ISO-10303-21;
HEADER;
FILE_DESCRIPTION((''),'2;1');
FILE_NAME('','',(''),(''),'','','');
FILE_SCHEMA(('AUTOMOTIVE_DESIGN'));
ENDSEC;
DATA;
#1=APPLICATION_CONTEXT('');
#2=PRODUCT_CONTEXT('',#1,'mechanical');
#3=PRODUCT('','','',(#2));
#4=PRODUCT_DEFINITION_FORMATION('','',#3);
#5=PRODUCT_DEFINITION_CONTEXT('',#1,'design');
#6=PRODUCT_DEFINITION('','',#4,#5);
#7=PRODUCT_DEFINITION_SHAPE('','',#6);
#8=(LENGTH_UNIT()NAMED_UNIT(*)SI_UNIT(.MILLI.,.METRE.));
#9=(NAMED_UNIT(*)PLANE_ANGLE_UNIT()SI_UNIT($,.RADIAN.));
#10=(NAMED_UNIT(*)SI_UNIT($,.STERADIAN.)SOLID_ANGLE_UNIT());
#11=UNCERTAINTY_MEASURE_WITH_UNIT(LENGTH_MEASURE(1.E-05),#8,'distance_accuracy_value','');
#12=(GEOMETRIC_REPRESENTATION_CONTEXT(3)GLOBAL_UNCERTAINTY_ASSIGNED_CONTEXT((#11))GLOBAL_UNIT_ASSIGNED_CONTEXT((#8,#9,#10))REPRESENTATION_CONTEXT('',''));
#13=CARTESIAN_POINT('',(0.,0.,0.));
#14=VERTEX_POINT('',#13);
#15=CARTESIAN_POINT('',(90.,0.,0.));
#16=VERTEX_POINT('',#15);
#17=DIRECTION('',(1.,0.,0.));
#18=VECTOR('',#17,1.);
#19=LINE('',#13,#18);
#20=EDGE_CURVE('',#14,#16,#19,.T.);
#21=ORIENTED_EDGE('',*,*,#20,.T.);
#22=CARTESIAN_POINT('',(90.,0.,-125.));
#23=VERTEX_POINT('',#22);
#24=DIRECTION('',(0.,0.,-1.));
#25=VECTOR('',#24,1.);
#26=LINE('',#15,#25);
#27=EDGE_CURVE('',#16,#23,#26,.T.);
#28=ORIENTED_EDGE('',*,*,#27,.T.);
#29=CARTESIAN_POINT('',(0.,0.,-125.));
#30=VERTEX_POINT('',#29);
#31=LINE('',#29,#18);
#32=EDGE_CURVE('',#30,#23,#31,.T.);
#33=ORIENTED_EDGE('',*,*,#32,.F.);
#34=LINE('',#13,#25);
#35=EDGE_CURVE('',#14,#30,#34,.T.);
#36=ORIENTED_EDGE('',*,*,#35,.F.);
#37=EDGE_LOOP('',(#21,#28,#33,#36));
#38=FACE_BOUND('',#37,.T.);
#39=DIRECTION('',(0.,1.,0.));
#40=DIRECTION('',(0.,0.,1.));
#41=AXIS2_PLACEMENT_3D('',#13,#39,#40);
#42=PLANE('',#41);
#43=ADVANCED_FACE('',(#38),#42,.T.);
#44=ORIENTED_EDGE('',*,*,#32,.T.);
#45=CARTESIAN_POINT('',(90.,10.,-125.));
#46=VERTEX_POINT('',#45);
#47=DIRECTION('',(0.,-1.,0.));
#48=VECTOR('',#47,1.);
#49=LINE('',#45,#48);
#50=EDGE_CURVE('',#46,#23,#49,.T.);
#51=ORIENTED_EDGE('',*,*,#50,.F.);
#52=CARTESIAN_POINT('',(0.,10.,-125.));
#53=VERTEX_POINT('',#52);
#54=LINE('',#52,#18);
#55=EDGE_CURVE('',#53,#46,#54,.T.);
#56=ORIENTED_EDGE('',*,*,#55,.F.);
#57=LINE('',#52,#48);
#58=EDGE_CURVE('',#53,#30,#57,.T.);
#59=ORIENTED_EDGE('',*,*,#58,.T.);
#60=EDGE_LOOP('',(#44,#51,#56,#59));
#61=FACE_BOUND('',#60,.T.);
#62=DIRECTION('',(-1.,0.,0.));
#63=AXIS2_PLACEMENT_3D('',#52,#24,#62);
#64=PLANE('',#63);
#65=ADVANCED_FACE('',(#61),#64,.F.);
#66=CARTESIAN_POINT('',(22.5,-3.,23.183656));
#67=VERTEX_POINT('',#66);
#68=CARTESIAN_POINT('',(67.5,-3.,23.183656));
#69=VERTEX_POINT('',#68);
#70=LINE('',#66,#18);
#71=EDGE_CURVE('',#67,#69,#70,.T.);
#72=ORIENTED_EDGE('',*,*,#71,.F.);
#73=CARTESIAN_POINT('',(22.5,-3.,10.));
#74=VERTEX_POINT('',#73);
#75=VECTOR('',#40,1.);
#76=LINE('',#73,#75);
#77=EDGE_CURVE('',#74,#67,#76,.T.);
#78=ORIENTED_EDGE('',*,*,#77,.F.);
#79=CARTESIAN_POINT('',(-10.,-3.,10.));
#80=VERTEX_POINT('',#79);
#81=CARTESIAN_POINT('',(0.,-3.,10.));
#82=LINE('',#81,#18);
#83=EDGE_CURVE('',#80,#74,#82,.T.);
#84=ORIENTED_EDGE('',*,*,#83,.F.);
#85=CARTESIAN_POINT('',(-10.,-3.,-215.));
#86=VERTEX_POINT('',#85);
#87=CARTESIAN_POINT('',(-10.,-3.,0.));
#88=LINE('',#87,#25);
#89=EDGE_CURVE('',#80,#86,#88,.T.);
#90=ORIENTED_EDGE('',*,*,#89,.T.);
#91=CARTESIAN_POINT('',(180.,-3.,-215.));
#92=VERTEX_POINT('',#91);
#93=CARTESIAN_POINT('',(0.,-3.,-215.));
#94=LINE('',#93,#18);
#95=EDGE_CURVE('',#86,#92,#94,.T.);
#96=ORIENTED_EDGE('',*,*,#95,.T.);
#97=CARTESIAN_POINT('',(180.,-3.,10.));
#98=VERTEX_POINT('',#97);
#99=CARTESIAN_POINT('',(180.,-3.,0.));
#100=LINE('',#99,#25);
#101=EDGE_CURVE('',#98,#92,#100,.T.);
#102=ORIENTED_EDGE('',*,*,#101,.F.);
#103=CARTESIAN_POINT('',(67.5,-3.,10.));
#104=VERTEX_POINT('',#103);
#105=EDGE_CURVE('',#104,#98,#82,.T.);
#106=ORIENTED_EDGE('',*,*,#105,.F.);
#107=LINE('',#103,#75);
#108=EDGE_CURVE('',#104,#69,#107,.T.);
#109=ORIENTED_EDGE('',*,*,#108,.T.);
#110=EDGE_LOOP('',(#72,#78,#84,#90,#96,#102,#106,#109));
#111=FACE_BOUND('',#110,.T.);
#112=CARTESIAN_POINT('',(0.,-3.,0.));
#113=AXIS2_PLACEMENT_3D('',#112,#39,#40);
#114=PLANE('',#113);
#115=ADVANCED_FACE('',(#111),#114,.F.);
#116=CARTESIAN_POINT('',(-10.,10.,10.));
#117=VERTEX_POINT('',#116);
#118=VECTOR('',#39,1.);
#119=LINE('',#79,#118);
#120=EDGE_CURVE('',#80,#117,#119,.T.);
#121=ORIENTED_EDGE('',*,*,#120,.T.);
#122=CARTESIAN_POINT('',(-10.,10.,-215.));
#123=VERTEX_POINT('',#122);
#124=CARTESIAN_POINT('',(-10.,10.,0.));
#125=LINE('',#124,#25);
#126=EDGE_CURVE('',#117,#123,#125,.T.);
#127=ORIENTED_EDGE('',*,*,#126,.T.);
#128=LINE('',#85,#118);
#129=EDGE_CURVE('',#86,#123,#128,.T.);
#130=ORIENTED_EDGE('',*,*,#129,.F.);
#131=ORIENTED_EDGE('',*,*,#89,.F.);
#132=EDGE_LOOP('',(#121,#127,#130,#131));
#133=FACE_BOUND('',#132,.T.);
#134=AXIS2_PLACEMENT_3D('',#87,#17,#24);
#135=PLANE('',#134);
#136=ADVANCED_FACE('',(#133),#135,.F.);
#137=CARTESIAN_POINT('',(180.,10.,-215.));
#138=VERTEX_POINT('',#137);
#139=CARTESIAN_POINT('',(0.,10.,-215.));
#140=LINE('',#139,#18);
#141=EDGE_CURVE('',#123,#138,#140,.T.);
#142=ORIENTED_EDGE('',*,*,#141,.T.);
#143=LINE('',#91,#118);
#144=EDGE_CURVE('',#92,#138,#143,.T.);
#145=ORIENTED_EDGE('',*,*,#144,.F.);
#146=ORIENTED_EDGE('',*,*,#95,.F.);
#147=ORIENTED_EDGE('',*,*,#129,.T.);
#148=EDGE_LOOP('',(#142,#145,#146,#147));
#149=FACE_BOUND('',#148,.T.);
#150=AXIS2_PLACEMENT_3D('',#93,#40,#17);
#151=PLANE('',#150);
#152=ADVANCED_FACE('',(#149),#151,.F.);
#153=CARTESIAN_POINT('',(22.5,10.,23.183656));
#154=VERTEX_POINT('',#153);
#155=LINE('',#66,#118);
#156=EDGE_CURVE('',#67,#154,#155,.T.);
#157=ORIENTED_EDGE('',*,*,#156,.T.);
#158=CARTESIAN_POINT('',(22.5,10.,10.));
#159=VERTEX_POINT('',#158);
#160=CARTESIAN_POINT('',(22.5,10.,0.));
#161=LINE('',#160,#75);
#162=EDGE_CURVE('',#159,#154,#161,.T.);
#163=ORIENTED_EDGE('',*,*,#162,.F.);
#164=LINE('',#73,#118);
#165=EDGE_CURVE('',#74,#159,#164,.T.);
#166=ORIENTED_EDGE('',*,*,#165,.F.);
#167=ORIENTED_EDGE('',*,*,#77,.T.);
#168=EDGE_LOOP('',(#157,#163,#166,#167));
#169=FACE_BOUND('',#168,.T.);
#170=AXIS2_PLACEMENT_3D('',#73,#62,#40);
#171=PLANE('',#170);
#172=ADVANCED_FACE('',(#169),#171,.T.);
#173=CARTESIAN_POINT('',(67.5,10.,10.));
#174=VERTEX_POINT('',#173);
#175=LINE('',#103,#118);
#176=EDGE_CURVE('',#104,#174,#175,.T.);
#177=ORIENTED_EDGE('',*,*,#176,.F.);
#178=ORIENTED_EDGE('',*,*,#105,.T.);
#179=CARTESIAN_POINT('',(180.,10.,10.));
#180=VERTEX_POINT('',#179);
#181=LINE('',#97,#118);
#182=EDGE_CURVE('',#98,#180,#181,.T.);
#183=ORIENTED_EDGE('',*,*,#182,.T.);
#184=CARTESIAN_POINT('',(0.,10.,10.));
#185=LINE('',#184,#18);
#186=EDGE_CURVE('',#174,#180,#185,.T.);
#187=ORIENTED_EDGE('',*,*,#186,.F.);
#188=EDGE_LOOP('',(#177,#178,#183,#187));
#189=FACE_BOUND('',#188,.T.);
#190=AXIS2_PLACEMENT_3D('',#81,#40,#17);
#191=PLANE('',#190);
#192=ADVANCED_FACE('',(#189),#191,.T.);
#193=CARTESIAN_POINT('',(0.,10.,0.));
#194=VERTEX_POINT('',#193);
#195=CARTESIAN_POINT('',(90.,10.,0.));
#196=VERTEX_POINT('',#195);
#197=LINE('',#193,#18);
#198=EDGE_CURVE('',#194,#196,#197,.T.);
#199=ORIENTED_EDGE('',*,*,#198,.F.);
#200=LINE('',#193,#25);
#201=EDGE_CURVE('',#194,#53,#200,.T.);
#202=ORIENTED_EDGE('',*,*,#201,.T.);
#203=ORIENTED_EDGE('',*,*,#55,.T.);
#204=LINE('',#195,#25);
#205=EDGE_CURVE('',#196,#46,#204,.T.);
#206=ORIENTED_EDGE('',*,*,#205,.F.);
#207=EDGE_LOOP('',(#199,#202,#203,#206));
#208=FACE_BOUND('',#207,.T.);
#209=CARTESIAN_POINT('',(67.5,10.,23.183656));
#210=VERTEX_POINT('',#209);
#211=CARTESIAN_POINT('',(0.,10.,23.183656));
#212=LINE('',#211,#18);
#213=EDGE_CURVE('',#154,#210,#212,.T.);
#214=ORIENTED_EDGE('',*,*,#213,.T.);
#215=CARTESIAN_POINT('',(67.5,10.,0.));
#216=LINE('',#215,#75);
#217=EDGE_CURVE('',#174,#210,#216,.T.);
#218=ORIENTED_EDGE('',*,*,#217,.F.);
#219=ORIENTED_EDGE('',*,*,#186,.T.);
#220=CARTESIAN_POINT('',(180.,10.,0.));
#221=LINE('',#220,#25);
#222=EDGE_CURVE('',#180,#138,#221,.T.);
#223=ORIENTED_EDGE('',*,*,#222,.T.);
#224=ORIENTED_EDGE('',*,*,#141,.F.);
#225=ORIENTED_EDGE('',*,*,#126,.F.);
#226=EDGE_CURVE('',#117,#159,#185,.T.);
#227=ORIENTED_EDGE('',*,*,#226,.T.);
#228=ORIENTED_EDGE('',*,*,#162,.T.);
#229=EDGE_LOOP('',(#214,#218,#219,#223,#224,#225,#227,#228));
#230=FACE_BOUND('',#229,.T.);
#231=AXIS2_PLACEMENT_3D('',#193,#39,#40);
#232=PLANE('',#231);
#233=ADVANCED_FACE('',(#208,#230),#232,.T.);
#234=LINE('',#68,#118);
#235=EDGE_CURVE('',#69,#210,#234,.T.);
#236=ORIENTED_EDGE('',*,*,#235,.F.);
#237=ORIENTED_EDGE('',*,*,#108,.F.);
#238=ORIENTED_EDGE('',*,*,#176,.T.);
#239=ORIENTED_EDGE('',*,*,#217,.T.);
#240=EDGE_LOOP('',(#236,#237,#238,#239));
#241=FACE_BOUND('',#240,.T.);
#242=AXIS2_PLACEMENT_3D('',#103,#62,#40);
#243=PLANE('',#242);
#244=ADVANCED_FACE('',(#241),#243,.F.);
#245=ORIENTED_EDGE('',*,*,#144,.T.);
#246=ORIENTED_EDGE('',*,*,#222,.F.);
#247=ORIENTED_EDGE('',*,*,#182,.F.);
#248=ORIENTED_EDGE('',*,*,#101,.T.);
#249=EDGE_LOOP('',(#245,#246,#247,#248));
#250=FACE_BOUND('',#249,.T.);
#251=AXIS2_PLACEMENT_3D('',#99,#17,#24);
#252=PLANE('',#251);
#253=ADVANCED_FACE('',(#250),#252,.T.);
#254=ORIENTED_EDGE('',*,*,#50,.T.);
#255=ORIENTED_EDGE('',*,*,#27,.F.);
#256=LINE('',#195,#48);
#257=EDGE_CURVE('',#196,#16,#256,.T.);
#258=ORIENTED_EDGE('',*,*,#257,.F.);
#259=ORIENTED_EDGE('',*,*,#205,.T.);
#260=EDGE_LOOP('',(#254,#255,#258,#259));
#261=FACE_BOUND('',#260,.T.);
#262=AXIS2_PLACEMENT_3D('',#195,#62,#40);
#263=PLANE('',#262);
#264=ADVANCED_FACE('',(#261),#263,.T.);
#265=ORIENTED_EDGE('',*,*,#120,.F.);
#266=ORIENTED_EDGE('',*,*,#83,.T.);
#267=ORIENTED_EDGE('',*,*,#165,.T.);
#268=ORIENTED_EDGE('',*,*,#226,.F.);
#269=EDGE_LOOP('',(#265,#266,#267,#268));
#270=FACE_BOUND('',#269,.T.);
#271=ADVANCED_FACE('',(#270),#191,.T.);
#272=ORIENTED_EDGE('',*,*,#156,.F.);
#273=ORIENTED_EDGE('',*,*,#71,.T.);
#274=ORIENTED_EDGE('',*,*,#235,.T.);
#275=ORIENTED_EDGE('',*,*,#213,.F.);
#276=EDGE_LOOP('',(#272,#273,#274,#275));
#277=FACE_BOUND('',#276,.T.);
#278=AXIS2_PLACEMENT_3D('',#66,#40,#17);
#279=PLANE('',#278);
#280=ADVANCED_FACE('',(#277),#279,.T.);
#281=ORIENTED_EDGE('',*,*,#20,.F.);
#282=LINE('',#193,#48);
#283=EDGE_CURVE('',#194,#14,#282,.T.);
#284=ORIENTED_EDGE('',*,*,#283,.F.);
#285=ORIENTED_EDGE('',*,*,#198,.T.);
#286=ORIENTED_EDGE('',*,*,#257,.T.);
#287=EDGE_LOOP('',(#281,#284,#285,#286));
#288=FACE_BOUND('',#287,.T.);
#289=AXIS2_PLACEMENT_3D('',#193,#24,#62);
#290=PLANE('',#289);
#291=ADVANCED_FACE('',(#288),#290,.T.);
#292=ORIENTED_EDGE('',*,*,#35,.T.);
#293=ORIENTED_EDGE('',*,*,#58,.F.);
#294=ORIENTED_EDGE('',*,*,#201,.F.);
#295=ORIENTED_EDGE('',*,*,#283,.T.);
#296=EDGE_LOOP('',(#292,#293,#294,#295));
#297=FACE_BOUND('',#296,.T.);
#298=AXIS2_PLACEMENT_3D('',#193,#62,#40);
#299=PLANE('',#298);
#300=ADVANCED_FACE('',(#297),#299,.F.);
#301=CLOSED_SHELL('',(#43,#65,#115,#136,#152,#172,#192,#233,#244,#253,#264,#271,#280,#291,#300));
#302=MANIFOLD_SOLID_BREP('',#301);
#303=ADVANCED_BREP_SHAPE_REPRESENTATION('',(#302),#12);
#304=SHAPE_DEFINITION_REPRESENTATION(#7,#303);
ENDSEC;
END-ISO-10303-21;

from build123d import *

# Parameters (mm, degrees)
BOSS_EXTRUDE1_DEPTH = 3
BOSS_EXTRUDE2_DEPTH = 10


with BuildPart() as part:
    # Sketch1 → Boss-Extrude1 (new body)
    with BuildSketch(Plane(origin=(0, 0, 0), x_dir=(1, 0, 0), z_dir=(0, 1, 0))):
        Polygon((-10, 215), (-10, -10), (22.5, -10), (22.5, -23.183655632), (67.5, -23.183655632), (67.5, -10), (180, -10), (180, 215), align=None)
    extrude(amount=-BOSS_EXTRUDE1_DEPTH)

    # Sketch1<3> → Boss-Extrude2 (add)
    with BuildSketch(Plane(origin=(0, 0, 0), x_dir=(1, 0, 0), z_dir=(0, 1, 0))):
        Polygon((-10, -10), (22.5, -10), (22.5, -23.183655632), (67.5, -23.183655632), (67.5, -10), (180, -10), (180, 215), (-10, 215), align=None)
        Polygon((90, 0), (45, 0), (0, 0), (0, 125), (90, 125), align=None, mode=Mode.SUBTRACT)
    extrude(amount=BOSS_EXTRUDE2_DEPTH)


solid = part.part
